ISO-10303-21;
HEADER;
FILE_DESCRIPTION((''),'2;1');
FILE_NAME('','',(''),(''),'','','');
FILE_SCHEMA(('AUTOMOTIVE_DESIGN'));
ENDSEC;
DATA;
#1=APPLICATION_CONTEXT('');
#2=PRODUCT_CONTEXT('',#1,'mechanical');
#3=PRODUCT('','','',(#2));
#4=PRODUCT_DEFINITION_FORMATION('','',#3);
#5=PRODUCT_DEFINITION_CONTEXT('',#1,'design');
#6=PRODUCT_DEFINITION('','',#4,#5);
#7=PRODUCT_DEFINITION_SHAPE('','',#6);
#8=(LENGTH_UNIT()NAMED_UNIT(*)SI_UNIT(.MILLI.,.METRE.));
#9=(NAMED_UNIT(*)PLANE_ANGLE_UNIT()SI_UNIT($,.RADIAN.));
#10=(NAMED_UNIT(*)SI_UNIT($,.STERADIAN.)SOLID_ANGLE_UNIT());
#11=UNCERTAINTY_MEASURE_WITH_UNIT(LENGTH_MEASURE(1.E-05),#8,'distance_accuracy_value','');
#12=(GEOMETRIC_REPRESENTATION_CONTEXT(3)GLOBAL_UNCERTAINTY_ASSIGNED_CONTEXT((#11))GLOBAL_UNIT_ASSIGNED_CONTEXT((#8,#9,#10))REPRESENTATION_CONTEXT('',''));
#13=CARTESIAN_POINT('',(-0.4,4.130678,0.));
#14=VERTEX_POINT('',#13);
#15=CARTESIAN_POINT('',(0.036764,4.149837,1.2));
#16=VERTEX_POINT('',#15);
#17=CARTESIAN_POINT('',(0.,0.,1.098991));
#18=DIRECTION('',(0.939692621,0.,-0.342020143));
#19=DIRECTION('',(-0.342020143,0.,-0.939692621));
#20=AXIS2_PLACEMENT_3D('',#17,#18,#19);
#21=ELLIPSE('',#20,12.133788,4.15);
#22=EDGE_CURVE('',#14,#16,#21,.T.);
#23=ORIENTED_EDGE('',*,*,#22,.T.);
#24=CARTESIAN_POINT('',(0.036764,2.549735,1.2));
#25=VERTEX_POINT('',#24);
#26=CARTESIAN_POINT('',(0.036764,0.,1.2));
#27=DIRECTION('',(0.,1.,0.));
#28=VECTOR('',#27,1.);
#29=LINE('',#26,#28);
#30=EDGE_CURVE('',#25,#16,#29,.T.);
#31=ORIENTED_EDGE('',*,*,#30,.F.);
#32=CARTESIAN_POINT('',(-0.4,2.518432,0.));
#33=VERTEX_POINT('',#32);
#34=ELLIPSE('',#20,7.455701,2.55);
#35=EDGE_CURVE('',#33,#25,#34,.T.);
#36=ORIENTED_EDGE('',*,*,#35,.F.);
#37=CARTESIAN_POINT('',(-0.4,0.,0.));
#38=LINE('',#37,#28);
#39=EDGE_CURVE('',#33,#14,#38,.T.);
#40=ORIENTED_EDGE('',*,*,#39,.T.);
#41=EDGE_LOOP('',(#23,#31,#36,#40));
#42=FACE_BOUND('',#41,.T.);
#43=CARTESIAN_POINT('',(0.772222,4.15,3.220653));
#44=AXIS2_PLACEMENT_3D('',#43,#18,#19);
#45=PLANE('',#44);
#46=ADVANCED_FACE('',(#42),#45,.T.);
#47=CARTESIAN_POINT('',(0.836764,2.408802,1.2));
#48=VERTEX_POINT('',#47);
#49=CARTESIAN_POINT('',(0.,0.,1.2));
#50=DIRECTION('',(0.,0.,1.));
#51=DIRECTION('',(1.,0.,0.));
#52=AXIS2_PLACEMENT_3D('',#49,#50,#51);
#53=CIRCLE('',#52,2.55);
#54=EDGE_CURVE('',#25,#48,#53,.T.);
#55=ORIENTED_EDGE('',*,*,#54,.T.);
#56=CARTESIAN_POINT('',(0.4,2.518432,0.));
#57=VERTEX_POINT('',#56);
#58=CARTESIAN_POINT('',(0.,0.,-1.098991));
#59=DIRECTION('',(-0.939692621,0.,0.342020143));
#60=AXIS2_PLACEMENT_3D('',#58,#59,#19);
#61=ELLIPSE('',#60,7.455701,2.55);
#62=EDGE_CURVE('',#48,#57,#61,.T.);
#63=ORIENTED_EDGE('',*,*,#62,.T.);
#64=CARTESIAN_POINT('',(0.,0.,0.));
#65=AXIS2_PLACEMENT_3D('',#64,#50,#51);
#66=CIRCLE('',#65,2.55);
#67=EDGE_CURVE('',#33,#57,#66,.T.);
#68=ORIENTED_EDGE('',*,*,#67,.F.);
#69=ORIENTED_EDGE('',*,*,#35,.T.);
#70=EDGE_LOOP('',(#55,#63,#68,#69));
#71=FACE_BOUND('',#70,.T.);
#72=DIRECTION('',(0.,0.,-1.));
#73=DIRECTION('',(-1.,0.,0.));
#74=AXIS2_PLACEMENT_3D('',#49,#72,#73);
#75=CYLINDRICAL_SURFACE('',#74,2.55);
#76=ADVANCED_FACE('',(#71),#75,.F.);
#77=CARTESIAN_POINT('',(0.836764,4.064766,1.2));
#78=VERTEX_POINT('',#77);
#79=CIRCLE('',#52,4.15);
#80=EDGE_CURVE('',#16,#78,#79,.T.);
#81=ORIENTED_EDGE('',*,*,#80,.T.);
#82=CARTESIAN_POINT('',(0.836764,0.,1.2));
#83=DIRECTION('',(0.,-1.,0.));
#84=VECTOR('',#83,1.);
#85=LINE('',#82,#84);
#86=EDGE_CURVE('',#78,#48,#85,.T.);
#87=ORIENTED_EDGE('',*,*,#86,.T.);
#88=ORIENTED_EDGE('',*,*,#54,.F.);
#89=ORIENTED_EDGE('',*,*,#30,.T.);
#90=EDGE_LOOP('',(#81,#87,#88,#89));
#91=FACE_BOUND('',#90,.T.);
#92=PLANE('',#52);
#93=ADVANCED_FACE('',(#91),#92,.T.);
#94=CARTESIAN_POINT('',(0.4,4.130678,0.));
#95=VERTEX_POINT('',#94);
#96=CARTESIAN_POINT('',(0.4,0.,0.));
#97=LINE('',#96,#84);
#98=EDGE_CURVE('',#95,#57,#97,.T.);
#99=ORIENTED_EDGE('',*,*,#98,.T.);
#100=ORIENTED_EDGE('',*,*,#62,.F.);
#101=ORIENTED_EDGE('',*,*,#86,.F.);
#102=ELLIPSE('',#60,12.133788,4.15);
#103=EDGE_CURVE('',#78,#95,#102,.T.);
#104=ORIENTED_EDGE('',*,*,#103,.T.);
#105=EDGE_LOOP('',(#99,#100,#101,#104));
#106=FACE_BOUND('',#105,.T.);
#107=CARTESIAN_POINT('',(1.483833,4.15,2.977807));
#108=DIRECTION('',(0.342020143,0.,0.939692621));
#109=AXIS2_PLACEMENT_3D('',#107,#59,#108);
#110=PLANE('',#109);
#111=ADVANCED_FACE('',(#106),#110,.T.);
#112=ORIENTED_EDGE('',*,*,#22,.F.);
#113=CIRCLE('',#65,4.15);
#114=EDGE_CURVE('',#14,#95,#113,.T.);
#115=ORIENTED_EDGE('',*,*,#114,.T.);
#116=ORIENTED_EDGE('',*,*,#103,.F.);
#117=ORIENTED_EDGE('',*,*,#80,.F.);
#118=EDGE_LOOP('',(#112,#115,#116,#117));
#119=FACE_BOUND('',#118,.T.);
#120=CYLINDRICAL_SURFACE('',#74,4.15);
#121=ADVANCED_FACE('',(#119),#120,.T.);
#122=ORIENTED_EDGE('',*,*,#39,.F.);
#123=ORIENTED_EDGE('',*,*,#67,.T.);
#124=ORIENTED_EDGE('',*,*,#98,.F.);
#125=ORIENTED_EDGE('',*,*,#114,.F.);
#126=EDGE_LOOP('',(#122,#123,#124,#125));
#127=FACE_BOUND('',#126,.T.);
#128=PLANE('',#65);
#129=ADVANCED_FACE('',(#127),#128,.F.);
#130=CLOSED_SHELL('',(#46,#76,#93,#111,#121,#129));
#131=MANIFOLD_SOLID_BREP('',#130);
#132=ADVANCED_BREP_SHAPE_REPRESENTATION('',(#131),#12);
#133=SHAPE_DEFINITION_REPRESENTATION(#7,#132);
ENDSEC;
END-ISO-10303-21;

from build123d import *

# Parameters (mm, degrees)
SKETCH_1_R          = 4.15
SKETCH_1_R_2        = 2.55
EXTRUDE_1_DEPTH     = 1.2
CUT_EXTRUDE_3_DEPTH = 5.15


with BuildPart() as part:
    # Эскиз1 → Вытянуть1 (new body)
    with BuildSketch(Plane.XY):
        Circle(SKETCH_1_R)
        Circle(SKETCH_1_R_2, mode=Mode.SUBTRACT)
    extrude(amount=EXTRUDE_1_DEPTH)

    # Эскиз2 → Вырез-Вытянуть3 (cut, through all)
    with BuildSketch(Plane(origin=(0, 0, 0), x_dir=(1, 0, 0), z_dir=(0, 1, 0))):
        Polygon((-0.652013767, 0.692402135), (0.143129689, 0.705745378), (1.483833106, -2.977806984), (0.772221758, -3.220652811), align=None)
    extrude(amount=CUT_EXTRUDE_3_DEPTH, mode=Mode.SUBTRACT)


solid = part.part
